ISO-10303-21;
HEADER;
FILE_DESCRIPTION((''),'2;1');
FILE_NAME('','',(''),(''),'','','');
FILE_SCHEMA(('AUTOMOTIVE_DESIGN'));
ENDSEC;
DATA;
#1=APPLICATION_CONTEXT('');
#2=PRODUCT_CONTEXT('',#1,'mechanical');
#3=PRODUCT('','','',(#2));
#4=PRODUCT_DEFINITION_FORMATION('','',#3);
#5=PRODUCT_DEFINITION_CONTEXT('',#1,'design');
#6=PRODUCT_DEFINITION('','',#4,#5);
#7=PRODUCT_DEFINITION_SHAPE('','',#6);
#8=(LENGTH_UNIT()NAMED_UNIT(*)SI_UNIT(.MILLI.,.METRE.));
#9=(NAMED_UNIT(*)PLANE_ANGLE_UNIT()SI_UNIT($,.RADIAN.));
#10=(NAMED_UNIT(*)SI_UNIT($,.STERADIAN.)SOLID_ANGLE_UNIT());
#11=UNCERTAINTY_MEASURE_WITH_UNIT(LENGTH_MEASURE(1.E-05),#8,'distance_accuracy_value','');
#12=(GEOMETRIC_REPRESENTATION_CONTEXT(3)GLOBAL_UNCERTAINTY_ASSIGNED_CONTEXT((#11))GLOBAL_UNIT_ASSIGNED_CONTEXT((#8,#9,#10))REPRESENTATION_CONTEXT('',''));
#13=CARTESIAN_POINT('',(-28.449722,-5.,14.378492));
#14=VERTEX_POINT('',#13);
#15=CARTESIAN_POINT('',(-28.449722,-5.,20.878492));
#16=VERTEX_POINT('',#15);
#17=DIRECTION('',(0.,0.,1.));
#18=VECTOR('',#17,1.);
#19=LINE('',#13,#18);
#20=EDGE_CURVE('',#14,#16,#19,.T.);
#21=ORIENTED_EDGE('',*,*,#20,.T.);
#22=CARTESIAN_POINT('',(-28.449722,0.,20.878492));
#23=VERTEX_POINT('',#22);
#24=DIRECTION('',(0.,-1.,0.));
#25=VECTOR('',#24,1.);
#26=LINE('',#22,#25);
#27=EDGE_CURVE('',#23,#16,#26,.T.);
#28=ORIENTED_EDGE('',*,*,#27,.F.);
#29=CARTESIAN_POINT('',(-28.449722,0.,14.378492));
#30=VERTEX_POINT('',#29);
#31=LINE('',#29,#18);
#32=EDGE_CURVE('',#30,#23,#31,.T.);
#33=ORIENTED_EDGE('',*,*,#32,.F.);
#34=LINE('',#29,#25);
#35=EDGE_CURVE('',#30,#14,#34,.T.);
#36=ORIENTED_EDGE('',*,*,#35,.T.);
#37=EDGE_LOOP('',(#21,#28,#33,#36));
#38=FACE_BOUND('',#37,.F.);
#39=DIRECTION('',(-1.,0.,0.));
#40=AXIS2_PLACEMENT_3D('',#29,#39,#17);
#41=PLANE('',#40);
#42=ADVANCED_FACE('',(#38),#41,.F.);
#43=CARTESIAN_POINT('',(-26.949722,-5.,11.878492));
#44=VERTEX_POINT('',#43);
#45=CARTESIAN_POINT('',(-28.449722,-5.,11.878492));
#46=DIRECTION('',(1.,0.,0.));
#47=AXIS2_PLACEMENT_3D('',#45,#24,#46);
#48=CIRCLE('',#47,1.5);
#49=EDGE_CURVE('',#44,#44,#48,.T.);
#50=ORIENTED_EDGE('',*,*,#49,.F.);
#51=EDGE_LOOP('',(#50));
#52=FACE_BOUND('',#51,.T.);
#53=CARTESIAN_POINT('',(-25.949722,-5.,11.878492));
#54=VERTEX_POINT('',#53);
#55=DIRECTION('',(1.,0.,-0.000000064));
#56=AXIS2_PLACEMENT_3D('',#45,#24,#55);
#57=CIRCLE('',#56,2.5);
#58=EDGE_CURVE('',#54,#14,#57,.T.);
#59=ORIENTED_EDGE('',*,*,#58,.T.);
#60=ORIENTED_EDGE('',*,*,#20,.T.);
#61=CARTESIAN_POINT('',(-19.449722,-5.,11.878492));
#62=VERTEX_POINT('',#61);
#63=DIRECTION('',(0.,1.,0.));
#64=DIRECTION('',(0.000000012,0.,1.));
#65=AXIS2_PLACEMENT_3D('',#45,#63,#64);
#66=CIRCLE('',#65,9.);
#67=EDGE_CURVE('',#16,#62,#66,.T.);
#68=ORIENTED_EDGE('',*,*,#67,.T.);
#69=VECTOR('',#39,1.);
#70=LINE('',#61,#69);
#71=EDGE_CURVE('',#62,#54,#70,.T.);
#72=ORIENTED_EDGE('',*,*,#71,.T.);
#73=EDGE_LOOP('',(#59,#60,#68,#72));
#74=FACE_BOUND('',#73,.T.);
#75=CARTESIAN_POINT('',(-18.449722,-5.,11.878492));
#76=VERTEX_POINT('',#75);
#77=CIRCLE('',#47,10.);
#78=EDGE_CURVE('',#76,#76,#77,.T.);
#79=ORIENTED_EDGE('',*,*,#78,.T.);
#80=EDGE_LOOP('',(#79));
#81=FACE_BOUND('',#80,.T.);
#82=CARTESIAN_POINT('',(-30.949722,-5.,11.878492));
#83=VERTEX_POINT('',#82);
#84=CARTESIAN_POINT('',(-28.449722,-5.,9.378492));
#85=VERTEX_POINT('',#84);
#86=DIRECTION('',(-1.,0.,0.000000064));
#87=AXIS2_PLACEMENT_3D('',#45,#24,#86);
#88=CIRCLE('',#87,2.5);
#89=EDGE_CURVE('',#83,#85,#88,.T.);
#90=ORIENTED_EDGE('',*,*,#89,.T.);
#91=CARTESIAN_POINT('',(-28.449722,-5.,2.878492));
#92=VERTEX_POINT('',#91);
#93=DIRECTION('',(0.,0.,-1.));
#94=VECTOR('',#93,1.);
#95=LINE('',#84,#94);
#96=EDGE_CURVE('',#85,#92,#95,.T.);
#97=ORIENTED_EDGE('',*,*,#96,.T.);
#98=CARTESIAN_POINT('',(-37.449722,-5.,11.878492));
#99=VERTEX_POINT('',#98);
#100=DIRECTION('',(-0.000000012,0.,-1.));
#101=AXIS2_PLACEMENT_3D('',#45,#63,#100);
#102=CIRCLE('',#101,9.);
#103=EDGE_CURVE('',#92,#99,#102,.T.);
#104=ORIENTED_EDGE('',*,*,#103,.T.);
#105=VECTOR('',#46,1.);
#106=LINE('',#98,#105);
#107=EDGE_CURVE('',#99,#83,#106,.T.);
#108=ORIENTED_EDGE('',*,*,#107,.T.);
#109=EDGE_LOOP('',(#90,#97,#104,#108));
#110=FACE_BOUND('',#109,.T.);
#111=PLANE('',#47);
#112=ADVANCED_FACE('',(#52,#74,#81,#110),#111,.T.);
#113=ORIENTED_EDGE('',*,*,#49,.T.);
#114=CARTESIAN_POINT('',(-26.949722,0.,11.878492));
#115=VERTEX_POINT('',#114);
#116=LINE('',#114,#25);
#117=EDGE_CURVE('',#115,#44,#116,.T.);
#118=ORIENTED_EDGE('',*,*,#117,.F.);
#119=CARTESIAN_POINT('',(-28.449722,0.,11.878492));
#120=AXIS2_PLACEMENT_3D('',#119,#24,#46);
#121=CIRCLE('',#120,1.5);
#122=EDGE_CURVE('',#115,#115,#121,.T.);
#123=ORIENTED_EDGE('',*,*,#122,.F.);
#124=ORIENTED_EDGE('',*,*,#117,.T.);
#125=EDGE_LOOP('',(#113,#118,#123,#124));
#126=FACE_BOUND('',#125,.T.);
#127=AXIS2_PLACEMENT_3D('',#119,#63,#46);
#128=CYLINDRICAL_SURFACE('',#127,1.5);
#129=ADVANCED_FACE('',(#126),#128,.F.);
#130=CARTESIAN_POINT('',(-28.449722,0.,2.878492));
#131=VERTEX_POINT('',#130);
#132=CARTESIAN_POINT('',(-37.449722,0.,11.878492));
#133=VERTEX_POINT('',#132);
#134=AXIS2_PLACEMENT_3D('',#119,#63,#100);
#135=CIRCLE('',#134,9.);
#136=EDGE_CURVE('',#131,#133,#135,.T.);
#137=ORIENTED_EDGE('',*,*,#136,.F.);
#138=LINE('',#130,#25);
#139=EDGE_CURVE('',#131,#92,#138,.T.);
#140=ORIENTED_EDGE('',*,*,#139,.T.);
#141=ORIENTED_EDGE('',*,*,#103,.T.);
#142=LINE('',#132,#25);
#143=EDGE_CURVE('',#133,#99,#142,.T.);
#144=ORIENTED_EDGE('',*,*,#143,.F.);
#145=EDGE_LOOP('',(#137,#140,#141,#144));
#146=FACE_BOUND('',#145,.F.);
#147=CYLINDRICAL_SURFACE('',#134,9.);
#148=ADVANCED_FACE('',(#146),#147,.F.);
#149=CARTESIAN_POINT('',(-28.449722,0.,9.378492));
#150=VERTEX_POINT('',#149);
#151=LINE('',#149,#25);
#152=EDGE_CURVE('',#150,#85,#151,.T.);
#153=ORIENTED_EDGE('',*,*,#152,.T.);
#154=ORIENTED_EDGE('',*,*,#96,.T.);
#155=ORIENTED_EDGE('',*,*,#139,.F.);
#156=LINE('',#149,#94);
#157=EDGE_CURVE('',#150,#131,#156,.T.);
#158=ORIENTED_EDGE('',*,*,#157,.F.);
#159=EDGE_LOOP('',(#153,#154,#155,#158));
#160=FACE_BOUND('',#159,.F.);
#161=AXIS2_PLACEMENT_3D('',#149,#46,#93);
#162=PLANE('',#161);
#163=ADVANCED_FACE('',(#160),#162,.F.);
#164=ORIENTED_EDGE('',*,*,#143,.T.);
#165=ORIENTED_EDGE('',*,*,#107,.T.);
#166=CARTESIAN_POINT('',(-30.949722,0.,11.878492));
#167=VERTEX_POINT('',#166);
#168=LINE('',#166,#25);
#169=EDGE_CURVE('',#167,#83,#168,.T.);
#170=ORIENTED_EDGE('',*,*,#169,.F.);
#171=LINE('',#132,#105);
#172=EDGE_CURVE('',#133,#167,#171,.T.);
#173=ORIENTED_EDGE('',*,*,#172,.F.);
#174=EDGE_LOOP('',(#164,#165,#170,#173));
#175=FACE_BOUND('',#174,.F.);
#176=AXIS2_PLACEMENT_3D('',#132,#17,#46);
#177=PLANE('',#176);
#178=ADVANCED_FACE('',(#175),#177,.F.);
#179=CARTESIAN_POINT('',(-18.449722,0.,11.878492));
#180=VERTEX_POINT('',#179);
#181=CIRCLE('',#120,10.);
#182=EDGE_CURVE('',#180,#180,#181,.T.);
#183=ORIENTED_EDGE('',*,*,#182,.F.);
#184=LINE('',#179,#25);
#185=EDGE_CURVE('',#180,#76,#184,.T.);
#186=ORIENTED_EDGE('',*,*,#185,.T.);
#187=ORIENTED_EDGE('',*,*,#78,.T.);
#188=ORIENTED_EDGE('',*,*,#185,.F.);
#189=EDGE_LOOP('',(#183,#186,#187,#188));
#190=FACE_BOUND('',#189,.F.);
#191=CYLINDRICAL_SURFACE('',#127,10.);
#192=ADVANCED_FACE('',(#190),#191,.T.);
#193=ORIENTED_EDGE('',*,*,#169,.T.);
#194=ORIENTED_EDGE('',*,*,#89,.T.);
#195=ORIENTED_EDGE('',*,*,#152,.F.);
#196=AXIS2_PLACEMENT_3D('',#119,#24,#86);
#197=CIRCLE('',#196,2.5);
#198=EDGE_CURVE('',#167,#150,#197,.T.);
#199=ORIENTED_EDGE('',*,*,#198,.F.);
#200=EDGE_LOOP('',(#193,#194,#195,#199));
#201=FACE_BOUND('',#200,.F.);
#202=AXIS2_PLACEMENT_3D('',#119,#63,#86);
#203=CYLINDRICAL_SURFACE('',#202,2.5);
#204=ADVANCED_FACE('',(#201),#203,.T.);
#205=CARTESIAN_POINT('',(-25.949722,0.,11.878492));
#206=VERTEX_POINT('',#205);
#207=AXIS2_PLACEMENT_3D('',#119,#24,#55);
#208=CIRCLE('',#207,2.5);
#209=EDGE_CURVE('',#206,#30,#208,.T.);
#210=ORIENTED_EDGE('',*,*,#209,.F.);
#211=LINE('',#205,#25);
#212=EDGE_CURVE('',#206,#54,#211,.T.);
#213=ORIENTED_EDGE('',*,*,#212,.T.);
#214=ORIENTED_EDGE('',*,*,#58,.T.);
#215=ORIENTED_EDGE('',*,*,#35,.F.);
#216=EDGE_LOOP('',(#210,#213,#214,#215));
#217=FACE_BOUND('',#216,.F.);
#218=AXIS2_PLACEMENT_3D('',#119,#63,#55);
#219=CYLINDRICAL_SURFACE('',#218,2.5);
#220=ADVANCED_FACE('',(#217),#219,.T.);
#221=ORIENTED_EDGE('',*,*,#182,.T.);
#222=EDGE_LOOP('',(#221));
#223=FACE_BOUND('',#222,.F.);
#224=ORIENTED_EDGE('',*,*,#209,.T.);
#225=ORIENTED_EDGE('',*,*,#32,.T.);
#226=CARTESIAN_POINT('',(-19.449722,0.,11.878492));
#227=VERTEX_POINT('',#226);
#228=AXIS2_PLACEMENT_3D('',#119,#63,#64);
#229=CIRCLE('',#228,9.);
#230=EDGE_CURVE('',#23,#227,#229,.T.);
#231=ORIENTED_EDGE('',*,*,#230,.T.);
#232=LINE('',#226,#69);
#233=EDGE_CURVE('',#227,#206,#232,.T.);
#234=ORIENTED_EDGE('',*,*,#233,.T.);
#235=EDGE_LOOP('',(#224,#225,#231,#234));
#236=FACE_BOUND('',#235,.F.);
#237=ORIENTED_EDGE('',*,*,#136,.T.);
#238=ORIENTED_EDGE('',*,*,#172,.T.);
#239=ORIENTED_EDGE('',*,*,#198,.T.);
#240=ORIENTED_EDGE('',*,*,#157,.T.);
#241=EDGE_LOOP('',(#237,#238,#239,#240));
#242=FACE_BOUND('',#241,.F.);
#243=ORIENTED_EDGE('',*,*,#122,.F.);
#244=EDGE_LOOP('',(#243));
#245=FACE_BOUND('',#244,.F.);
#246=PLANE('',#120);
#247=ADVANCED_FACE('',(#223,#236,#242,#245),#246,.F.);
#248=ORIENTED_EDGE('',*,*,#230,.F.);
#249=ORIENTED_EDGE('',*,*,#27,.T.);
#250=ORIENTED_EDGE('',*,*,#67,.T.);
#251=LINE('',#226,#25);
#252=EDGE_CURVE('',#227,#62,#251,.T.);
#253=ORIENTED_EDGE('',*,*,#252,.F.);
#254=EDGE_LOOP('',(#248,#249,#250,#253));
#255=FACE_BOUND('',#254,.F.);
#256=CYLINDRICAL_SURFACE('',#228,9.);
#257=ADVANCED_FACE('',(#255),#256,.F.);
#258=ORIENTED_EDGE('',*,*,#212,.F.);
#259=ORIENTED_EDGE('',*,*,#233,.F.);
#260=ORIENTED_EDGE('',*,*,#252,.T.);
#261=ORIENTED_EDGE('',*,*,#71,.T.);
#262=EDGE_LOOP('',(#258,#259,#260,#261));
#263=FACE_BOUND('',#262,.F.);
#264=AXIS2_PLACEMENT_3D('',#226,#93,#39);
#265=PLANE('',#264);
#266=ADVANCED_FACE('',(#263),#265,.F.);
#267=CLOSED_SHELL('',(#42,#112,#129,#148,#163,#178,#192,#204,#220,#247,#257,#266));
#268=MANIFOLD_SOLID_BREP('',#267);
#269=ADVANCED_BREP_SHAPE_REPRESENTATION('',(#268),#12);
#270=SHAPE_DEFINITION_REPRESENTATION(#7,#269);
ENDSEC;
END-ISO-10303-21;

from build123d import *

# Parameters (mm, degrees)
F0_R     = 10
F0_R_2   = 1.5
F1_DEPTH = 5


with BuildPart() as f1:
    # F0 (on Front) → F1 (new body)
    with BuildSketch(Plane.XZ):
        with Locations((-28.449722, 11.878492)):
            Circle(F0_R)
        with BuildLine():
            ThreePointArc((-28.449722, 2.878492), (-34.813683, 5.514531), (-37.449722, 11.878492))
            Line((-37.449722, 11.878492), (-30.949722, 11.878492))
            ThreePointArc((-30.949722, 11.878492), (-30.217489, 10.110725), (-28.449722, 9.378492))
            Line((-28.449722, 9.378492), (-28.449722, 2.878492))
        make_face(mode=Mode.SUBTRACT)
        with Locations((-28.449722, 11.878492)):
            Circle(F0_R_2, mode=Mode.SUBTRACT)
        with BuildLine():
            ThreePointArc((-25.949722, 11.878492), (-26.681955, 13.646259), (-28.449722, 14.378492))
            Line((-28.449722, 14.378492), (-28.449722, 20.878492))
            ThreePointArc((-28.449722, 20.878492), (-22.085761, 18.242453), (-19.449722, 11.878492))
            Line((-19.449722, 11.878492), (-25.949722, 11.878492))
        make_face(mode=Mode.SUBTRACT)
    extrude(amount=F1_DEPTH)


solid = f1.part
